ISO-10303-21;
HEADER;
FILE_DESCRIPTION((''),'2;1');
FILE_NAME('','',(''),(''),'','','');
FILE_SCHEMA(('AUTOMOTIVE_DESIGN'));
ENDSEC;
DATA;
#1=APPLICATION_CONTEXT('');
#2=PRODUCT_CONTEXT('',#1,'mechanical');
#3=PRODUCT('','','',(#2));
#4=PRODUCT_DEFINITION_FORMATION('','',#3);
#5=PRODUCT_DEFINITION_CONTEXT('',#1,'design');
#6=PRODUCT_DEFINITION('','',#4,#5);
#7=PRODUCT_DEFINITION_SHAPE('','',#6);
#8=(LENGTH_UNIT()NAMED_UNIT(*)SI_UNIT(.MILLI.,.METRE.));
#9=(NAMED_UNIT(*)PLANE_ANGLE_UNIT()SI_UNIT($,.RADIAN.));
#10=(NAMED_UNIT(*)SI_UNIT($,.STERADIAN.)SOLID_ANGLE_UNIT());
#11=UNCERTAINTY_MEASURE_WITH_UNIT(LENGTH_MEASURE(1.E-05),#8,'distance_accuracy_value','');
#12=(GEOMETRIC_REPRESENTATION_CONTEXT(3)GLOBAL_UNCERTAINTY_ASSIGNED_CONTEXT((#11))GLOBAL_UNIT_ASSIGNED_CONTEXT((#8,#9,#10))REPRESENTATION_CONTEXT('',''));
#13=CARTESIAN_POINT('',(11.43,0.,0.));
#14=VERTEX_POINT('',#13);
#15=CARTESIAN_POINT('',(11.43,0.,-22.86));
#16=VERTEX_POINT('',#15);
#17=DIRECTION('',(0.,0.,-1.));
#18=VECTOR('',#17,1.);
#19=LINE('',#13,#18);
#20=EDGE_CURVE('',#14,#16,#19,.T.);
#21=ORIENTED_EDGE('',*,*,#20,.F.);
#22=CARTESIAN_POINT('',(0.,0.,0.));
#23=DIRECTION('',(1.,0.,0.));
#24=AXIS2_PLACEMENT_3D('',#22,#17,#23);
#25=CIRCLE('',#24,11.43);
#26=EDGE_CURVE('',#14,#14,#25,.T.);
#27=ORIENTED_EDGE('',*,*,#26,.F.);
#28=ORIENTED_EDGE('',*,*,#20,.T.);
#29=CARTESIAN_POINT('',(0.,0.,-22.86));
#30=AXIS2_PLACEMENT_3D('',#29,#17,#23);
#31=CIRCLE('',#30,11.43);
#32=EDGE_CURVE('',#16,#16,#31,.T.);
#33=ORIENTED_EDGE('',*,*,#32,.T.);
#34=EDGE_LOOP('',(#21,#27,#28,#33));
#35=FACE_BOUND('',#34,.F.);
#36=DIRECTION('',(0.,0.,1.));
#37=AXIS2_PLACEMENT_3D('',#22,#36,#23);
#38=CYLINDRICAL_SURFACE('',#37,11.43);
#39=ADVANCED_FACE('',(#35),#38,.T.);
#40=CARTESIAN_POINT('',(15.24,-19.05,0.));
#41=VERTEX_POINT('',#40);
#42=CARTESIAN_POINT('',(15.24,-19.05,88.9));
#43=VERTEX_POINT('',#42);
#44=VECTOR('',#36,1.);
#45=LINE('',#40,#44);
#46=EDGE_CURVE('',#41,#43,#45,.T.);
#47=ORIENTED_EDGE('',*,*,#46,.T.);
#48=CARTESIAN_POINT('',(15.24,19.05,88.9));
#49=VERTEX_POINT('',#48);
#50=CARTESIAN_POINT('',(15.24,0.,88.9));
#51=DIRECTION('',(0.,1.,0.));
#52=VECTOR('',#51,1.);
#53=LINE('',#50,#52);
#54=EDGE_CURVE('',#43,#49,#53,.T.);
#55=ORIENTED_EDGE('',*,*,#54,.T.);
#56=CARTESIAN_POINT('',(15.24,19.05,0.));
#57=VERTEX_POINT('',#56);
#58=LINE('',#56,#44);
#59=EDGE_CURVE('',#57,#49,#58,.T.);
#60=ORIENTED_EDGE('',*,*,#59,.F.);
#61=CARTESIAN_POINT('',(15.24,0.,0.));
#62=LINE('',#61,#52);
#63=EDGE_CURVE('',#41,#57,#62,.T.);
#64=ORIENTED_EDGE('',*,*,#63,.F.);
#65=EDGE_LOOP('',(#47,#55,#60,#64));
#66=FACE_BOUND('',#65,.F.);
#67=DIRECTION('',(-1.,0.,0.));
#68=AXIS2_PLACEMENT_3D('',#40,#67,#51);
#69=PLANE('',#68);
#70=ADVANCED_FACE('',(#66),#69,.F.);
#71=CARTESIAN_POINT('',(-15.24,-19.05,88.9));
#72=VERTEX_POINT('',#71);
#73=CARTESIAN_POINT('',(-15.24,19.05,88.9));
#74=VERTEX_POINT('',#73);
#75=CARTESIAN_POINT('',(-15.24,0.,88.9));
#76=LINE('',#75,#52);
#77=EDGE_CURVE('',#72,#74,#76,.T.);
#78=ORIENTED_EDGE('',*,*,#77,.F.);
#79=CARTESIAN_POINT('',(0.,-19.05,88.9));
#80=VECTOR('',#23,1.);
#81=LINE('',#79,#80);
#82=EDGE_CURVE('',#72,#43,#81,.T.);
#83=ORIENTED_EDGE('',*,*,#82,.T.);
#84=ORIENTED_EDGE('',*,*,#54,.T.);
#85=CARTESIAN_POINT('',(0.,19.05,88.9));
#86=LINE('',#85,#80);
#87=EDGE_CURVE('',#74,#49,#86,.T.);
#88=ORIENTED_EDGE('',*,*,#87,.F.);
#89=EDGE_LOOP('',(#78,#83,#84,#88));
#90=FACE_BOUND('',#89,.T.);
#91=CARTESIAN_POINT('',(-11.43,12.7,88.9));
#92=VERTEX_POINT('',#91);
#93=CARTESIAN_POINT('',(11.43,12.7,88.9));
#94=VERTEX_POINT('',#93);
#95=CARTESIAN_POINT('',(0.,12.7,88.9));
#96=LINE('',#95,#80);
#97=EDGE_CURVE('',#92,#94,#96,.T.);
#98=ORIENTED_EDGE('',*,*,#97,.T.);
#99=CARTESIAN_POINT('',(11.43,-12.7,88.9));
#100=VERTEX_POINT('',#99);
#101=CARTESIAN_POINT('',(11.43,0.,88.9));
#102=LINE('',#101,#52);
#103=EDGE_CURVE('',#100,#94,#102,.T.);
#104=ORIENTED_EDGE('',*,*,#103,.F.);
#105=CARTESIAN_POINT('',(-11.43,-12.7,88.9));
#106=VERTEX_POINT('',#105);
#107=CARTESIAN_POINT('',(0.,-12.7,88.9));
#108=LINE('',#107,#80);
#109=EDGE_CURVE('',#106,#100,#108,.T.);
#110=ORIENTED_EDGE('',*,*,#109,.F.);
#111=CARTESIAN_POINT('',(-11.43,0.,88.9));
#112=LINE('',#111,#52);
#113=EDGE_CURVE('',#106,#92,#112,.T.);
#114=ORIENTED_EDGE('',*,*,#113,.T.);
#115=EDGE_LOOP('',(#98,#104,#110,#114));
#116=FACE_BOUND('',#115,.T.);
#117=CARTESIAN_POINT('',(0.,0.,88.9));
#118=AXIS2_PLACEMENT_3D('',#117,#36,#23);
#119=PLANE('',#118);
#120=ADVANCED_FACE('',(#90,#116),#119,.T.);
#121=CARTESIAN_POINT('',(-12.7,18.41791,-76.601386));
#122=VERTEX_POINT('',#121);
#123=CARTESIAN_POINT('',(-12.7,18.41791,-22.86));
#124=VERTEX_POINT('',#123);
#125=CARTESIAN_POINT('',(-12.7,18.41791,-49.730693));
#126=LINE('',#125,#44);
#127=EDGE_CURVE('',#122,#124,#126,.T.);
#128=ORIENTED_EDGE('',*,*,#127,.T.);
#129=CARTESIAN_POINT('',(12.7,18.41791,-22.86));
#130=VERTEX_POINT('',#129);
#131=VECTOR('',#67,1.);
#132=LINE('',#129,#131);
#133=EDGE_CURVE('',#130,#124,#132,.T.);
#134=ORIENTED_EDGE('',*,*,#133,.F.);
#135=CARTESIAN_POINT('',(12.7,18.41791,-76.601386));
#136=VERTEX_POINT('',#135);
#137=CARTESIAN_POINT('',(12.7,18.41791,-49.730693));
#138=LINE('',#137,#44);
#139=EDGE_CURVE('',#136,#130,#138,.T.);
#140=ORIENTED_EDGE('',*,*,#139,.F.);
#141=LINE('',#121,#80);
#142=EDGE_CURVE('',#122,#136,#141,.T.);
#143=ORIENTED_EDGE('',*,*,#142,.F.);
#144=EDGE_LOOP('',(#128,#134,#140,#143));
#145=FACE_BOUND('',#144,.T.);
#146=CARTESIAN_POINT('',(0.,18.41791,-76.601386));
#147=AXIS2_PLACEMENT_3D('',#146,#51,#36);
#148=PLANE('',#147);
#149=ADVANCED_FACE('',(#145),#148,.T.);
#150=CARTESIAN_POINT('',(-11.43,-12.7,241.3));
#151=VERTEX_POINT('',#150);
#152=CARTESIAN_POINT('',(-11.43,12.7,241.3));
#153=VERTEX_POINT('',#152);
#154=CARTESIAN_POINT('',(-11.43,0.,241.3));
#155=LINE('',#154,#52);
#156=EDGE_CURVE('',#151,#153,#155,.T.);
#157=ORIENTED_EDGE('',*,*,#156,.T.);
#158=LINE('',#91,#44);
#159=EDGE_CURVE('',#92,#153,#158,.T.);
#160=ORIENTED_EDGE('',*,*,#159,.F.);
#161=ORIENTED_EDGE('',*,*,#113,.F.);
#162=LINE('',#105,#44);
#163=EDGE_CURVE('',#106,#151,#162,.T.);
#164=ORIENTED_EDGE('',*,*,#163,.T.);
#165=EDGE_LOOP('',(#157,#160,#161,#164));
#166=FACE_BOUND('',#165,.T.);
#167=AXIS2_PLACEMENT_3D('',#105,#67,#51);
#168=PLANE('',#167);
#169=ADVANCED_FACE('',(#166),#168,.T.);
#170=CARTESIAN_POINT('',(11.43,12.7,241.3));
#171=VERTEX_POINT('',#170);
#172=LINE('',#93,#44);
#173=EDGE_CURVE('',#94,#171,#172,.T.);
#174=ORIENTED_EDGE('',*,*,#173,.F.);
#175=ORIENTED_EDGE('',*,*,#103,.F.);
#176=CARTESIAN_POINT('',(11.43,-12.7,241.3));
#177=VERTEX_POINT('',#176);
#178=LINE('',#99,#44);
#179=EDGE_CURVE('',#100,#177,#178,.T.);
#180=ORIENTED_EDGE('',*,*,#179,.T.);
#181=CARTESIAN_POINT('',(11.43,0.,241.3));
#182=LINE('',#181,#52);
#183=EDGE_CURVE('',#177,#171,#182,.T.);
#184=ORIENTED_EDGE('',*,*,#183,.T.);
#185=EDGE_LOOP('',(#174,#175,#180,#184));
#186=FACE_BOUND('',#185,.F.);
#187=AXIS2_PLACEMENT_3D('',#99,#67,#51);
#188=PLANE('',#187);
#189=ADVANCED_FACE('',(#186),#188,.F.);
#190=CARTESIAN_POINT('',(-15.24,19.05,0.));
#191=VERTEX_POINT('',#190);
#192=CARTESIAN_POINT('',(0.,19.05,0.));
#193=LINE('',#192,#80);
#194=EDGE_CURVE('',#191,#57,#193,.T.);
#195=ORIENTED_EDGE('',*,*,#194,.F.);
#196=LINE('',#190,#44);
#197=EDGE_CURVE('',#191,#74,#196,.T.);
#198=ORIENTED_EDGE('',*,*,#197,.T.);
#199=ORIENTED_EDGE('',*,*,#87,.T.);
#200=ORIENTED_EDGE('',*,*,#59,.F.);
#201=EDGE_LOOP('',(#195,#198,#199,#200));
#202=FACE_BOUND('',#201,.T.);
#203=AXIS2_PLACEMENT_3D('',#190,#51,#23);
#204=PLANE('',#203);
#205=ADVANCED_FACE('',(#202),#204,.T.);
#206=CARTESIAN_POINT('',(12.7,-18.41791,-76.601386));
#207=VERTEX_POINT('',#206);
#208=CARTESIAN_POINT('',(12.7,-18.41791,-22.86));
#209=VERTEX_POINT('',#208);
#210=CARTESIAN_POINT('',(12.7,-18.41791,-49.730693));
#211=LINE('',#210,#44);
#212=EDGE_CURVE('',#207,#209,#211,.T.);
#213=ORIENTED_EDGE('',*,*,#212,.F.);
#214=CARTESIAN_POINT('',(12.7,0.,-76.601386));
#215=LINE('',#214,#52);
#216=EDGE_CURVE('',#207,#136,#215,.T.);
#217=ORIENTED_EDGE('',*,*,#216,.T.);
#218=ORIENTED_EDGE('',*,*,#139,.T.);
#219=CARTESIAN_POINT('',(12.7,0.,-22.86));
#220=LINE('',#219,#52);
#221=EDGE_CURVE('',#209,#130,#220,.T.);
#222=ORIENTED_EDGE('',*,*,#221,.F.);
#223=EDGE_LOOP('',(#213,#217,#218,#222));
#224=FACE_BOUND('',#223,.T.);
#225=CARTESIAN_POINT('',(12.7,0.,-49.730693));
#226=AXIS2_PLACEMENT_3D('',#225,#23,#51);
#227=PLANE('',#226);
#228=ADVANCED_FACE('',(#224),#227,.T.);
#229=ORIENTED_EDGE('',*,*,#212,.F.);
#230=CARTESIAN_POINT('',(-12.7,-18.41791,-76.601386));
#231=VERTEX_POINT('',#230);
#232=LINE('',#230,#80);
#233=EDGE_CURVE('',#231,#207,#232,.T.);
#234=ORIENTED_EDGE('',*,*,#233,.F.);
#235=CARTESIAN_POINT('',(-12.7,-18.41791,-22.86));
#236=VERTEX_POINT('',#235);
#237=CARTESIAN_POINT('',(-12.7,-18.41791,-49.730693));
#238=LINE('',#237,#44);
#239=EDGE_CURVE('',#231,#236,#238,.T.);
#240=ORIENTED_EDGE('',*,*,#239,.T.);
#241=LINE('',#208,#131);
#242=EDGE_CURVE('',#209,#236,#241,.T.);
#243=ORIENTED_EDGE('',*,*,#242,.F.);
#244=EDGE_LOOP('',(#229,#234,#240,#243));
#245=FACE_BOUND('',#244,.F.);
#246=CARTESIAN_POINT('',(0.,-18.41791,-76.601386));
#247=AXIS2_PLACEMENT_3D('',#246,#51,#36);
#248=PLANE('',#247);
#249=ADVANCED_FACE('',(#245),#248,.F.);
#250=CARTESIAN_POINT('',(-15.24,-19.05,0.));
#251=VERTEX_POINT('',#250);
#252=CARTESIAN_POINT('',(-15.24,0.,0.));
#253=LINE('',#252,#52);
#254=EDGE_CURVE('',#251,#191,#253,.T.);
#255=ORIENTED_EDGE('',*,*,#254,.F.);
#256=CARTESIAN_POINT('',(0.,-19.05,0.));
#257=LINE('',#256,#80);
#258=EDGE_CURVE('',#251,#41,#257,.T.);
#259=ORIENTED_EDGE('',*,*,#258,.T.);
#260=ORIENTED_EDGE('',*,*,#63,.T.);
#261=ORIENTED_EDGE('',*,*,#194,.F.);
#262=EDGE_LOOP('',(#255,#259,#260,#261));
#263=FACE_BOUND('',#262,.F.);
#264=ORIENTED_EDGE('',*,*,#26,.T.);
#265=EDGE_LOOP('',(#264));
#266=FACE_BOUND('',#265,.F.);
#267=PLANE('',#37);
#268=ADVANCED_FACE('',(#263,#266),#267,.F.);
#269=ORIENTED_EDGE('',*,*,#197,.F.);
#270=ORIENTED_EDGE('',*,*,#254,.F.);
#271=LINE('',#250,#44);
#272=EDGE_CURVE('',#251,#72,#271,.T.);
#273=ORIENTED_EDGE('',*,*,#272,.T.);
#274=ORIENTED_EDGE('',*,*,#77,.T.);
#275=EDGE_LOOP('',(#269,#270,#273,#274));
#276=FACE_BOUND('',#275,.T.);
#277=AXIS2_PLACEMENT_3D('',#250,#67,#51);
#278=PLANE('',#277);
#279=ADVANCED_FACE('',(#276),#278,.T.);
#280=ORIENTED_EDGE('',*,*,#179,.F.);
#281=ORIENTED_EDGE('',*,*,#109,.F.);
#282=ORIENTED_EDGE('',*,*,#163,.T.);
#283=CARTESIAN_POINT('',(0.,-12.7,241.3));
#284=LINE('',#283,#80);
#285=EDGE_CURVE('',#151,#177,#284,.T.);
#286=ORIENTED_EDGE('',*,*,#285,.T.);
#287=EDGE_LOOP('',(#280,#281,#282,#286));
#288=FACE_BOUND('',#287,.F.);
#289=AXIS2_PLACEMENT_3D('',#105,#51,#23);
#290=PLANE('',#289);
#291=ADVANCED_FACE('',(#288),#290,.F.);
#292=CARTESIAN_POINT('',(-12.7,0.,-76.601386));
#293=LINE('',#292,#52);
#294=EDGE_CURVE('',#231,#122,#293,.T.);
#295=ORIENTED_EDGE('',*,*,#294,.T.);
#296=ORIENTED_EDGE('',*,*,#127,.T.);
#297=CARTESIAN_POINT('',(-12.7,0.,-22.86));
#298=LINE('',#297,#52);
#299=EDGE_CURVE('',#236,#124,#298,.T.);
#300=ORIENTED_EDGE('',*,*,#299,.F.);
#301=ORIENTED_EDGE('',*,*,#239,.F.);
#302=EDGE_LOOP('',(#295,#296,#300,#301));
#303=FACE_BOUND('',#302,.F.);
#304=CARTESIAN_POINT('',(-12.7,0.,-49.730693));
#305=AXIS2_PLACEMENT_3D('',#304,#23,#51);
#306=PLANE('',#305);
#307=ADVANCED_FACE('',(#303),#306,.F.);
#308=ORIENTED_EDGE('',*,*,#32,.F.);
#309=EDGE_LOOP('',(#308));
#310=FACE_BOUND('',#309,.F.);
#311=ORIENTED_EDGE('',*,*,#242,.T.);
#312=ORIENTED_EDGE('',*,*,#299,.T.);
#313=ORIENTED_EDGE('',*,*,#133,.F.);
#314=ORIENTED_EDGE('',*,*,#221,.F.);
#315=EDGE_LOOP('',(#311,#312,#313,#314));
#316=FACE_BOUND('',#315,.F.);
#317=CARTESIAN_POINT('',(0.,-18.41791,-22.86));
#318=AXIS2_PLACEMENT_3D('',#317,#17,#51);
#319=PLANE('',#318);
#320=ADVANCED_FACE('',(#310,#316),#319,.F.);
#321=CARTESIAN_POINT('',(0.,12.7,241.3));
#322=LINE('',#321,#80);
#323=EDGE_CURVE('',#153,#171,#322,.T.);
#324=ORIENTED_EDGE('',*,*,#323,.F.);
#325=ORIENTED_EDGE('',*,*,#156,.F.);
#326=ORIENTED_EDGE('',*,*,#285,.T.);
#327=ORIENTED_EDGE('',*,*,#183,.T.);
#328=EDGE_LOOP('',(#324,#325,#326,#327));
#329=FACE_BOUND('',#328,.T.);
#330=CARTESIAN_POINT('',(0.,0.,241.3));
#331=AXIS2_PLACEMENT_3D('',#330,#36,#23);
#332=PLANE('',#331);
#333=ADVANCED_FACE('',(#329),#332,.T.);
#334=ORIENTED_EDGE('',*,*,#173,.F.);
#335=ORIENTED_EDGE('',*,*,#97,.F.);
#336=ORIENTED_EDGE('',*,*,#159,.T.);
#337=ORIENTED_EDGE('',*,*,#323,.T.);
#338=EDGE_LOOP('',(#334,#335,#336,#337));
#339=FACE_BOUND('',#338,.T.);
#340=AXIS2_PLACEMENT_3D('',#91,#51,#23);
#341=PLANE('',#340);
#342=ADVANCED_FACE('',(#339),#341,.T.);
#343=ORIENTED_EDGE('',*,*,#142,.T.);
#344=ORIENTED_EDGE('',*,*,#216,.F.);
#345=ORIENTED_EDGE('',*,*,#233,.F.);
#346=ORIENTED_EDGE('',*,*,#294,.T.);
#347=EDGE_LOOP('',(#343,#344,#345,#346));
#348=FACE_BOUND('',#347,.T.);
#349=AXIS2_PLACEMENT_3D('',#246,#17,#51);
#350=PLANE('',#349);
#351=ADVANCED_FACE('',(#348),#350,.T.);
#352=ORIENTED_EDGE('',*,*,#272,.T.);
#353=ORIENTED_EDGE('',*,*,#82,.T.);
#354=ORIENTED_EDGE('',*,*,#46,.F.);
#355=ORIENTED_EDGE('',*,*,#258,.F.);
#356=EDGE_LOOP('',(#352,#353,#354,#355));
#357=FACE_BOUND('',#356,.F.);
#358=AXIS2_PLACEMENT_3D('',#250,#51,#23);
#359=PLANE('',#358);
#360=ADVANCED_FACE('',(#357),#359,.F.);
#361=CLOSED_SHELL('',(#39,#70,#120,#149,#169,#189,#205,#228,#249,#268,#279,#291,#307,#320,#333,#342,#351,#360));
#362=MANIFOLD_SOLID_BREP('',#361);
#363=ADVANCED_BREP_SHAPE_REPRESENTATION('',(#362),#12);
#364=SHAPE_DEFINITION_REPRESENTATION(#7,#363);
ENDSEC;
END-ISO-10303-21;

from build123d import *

# Parameters (mm, degrees)
F0_W     = 30.48
F0_H     = 38.1
F1_DEPTH = 88.9
F2_W     = 22.86
F2_H     = 25.4
F3_DEPTH = 152.4
F4_R     = 11.43
F5_DEPTH = 22.86
F6_W     = 36.83582
F6_H     = 53.741386
F7_DEPTH = 12.7
F8_DEPTH = 12.7


with BuildPart() as f1:
    # F0 (on Top) → F1 (new body)
    with BuildSketch(Plane.XY):
        Rectangle(F0_W, F0_H)
    extrude(amount=F1_DEPTH)

    # F2 (on face) → F3 (join)
    with BuildSketch(Plane.XY.offset(88.9)):
        Rectangle(F2_W, F2_H)
    extrude(amount=F3_DEPTH)

    # F4 (on face) → F5 (join)
    with BuildSketch(Plane(origin=(0, 0, 0), x_dir=(1, 0, 0), z_dir=(0, 0, -1))):
        Circle(F4_R)
    extrude(amount=F5_DEPTH)

    # F6 (on Right) → F7 (join)
    with BuildSketch(Plane.YZ):
        with Locations((0, -49.730693)):
            Rectangle(F6_W, F6_H)
    extrude(amount=F7_DEPTH)

    # F6 (on Right) → F8 (join)
    with BuildSketch(Plane.YZ):
        with Locations((0, -49.730693)):
            Rectangle(F6_W, F6_H)
    extrude(amount=-F8_DEPTH)


solid = f1.part
